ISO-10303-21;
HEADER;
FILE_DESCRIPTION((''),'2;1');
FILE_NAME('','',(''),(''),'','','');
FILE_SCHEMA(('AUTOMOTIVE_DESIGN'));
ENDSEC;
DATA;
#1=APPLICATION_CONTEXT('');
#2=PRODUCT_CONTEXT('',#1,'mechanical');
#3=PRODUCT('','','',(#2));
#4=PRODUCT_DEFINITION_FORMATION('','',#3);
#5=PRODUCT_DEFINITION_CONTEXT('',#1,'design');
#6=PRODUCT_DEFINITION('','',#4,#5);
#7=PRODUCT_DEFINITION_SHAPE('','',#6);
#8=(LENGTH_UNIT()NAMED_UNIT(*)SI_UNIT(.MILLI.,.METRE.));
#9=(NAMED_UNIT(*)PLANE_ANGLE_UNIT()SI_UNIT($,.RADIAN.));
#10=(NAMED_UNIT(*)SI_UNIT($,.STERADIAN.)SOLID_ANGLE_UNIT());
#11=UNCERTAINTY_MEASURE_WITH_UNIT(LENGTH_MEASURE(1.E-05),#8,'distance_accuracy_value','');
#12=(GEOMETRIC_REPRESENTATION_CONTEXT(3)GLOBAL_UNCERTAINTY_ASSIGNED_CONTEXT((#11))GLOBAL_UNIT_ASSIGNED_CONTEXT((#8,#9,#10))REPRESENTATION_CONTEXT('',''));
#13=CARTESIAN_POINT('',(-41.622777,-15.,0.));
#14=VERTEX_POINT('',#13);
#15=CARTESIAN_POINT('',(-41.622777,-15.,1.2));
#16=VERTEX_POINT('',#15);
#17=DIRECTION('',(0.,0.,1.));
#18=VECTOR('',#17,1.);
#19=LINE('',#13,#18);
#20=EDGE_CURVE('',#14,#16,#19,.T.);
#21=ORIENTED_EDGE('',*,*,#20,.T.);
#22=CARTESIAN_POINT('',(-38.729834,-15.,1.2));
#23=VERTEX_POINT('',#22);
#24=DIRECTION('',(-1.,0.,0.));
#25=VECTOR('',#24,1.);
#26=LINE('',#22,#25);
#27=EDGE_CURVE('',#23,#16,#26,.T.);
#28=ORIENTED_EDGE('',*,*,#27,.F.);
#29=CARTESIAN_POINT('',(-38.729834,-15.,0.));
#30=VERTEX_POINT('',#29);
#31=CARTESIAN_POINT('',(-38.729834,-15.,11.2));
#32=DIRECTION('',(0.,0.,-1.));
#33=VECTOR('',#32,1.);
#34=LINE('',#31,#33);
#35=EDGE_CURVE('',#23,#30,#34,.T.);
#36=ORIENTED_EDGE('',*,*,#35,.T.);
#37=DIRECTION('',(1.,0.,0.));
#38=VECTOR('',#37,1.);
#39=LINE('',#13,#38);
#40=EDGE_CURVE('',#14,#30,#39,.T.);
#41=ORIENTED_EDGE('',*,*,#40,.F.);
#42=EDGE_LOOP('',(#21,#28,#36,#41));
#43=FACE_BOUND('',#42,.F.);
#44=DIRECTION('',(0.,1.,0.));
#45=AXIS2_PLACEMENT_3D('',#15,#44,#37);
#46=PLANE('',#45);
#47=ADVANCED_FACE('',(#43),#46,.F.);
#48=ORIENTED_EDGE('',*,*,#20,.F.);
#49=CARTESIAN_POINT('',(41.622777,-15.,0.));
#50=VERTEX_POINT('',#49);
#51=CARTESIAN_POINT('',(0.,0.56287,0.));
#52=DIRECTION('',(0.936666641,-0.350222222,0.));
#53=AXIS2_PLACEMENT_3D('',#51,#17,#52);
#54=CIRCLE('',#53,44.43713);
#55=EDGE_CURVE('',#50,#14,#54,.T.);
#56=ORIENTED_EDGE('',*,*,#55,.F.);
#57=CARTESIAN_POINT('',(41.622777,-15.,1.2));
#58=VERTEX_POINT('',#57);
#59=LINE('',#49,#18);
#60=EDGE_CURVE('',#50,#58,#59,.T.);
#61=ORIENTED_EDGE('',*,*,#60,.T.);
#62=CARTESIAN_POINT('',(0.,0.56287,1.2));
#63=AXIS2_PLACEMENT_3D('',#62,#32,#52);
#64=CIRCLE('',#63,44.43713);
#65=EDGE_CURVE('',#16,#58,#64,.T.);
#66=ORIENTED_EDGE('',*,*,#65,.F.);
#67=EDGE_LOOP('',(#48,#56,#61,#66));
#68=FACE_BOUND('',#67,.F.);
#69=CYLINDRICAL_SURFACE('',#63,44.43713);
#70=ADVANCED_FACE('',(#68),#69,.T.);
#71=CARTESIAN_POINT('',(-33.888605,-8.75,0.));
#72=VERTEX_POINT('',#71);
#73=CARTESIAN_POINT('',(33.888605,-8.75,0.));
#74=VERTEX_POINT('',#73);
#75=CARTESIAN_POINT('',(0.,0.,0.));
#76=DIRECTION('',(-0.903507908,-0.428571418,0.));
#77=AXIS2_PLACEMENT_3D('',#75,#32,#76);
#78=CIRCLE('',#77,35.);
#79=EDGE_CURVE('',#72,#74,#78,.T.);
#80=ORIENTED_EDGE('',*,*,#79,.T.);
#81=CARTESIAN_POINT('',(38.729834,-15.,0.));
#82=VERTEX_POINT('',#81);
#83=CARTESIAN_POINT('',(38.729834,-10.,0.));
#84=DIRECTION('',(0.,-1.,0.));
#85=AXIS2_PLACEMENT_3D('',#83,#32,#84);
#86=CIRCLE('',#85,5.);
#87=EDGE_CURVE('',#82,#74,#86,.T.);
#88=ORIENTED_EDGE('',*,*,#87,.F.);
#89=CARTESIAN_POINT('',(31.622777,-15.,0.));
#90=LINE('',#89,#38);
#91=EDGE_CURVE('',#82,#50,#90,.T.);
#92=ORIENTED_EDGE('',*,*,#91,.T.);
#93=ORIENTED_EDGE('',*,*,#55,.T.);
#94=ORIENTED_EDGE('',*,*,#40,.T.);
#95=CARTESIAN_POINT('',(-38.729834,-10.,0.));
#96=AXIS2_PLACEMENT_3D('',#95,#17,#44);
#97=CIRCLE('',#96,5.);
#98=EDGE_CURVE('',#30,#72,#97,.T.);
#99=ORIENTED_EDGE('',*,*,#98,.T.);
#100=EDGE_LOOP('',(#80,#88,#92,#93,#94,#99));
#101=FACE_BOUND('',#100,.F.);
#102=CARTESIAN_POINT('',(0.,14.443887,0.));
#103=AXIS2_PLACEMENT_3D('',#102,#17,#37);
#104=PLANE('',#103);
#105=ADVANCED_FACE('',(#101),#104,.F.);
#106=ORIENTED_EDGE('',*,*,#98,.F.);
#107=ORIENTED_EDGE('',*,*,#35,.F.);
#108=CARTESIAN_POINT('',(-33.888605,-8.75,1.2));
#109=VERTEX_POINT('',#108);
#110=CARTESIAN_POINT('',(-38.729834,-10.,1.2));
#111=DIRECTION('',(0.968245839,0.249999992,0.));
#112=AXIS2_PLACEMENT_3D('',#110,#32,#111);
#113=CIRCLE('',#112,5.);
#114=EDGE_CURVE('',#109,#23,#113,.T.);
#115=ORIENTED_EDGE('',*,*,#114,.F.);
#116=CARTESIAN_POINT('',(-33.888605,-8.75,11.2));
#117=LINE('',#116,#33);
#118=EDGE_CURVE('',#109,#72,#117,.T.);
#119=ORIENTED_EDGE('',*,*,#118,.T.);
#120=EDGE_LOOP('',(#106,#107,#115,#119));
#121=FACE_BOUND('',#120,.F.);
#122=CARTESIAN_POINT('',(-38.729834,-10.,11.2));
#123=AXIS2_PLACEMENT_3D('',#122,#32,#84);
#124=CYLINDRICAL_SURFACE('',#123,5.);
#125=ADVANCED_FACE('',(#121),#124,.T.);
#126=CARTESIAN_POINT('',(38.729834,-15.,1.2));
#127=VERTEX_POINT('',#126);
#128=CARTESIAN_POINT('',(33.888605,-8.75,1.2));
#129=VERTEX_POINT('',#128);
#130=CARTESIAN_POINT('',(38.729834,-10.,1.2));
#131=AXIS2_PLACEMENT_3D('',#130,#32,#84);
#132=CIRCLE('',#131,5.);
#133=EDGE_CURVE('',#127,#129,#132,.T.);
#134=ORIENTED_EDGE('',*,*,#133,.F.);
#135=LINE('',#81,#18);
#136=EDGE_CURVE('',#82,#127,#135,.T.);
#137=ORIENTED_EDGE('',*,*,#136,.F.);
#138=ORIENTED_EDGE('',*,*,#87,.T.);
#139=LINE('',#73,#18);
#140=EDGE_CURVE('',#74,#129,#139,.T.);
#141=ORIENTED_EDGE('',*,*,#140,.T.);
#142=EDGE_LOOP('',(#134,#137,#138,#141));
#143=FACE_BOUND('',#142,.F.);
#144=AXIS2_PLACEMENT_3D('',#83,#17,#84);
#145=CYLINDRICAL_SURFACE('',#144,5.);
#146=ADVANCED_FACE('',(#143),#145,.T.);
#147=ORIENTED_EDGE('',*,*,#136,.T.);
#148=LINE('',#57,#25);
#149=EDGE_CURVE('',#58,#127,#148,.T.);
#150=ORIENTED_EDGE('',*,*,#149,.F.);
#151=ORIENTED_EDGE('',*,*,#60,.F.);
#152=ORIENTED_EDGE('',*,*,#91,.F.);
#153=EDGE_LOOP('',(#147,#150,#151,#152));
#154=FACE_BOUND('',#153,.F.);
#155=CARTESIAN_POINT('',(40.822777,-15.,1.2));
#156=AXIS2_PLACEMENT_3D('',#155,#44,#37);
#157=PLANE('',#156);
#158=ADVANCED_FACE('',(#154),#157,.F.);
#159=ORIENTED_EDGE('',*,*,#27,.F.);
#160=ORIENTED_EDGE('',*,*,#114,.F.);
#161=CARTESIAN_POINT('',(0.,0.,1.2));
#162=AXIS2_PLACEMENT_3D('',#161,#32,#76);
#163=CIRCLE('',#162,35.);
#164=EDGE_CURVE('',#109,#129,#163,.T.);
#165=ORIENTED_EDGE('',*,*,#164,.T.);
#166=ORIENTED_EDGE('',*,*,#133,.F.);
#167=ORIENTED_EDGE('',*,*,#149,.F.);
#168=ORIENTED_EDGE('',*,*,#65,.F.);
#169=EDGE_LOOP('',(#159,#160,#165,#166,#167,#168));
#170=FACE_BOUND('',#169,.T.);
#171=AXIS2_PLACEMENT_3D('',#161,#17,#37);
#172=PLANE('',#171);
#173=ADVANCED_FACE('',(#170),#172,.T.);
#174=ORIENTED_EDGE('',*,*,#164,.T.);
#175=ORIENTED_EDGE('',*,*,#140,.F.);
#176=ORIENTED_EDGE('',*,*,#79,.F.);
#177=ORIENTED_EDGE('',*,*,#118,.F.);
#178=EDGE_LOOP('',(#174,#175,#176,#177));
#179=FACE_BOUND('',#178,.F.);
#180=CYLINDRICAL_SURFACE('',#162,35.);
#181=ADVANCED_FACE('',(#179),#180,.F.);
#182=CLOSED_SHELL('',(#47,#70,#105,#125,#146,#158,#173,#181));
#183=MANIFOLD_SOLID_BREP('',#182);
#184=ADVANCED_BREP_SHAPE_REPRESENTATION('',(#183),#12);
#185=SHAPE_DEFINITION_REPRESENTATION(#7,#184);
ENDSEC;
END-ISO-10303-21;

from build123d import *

# Parameters (mm, degrees)
F1_DEPTH = 1.2
F3_DEPTH = 10
F5_DEPTH = 135
F6_R     = 5
F7_R     = 63.736196
F8_DEPTH = 1.2


with BuildPart() as f1:
    # F0 (on Top) → F1 (new body)
    with BuildSketch(Plane.XY):
        with BuildLine():
            ThreePointArc((-31.622777, -15), (0, 35), (31.622777, -15))
            Line((31.622777, -15), (41.622777, -15))
            ThreePointArc((41.622777, -15), (0, 45), (-41.622777, -15))
            Line((-41.622777, -15), (-31.622777, -15))
        make_face()
    extrude(amount=F1_DEPTH)

    # F2 (on face) → F3 (join)
    with BuildSketch(Plane.XY.offset(1.2)):
        with BuildLine():
            ThreePointArc((-31.622777, -15), (0, 35), (31.622777, -15))
            Line((31.622777, -15), (32.822777, -15))
            ThreePointArc((32.822777, -15), (0, 36.2), (-32.822777, -15))
            Line((-32.822777, -15), (-31.622777, -15))
        make_face()
    extrude(amount=F3_DEPTH)

    # F4 (on face) → F5 (join)
    with BuildSketch(Plane.XY.offset(1.2)):
        with BuildLine():
            Line((40.822777, -15), (41.622777, -15))
            ThreePointArc((41.622777, -15), (0, 45), (-41.622777, -15))
            Line((-41.622777, -15), (-40.822777, -15))
            ThreePointArc((-40.822777, -15), (0, 44.2), (40.822777, -15))
        make_face()
    extrude(amount=F5_DEPTH)

    # F6
    f6_edges = [f1.edges().sort_by_distance(p)[0] for p in [
        (-31.622777, -15, 5.6),
        (31.622777, -15, 5.6),
    ]]
    fillet(f6_edges, radius=F6_R)


with BuildPart() as f8:
    # F7 (on Top) → F8 (new body, through all)
    with BuildSketch(Plane.XY):
        Circle(F7_R)
    extrude(amount=F8_DEPTH)

    # F9: intersect F1
    add(f1.part, mode=Mode.INTERSECT)


solid = f8.part
